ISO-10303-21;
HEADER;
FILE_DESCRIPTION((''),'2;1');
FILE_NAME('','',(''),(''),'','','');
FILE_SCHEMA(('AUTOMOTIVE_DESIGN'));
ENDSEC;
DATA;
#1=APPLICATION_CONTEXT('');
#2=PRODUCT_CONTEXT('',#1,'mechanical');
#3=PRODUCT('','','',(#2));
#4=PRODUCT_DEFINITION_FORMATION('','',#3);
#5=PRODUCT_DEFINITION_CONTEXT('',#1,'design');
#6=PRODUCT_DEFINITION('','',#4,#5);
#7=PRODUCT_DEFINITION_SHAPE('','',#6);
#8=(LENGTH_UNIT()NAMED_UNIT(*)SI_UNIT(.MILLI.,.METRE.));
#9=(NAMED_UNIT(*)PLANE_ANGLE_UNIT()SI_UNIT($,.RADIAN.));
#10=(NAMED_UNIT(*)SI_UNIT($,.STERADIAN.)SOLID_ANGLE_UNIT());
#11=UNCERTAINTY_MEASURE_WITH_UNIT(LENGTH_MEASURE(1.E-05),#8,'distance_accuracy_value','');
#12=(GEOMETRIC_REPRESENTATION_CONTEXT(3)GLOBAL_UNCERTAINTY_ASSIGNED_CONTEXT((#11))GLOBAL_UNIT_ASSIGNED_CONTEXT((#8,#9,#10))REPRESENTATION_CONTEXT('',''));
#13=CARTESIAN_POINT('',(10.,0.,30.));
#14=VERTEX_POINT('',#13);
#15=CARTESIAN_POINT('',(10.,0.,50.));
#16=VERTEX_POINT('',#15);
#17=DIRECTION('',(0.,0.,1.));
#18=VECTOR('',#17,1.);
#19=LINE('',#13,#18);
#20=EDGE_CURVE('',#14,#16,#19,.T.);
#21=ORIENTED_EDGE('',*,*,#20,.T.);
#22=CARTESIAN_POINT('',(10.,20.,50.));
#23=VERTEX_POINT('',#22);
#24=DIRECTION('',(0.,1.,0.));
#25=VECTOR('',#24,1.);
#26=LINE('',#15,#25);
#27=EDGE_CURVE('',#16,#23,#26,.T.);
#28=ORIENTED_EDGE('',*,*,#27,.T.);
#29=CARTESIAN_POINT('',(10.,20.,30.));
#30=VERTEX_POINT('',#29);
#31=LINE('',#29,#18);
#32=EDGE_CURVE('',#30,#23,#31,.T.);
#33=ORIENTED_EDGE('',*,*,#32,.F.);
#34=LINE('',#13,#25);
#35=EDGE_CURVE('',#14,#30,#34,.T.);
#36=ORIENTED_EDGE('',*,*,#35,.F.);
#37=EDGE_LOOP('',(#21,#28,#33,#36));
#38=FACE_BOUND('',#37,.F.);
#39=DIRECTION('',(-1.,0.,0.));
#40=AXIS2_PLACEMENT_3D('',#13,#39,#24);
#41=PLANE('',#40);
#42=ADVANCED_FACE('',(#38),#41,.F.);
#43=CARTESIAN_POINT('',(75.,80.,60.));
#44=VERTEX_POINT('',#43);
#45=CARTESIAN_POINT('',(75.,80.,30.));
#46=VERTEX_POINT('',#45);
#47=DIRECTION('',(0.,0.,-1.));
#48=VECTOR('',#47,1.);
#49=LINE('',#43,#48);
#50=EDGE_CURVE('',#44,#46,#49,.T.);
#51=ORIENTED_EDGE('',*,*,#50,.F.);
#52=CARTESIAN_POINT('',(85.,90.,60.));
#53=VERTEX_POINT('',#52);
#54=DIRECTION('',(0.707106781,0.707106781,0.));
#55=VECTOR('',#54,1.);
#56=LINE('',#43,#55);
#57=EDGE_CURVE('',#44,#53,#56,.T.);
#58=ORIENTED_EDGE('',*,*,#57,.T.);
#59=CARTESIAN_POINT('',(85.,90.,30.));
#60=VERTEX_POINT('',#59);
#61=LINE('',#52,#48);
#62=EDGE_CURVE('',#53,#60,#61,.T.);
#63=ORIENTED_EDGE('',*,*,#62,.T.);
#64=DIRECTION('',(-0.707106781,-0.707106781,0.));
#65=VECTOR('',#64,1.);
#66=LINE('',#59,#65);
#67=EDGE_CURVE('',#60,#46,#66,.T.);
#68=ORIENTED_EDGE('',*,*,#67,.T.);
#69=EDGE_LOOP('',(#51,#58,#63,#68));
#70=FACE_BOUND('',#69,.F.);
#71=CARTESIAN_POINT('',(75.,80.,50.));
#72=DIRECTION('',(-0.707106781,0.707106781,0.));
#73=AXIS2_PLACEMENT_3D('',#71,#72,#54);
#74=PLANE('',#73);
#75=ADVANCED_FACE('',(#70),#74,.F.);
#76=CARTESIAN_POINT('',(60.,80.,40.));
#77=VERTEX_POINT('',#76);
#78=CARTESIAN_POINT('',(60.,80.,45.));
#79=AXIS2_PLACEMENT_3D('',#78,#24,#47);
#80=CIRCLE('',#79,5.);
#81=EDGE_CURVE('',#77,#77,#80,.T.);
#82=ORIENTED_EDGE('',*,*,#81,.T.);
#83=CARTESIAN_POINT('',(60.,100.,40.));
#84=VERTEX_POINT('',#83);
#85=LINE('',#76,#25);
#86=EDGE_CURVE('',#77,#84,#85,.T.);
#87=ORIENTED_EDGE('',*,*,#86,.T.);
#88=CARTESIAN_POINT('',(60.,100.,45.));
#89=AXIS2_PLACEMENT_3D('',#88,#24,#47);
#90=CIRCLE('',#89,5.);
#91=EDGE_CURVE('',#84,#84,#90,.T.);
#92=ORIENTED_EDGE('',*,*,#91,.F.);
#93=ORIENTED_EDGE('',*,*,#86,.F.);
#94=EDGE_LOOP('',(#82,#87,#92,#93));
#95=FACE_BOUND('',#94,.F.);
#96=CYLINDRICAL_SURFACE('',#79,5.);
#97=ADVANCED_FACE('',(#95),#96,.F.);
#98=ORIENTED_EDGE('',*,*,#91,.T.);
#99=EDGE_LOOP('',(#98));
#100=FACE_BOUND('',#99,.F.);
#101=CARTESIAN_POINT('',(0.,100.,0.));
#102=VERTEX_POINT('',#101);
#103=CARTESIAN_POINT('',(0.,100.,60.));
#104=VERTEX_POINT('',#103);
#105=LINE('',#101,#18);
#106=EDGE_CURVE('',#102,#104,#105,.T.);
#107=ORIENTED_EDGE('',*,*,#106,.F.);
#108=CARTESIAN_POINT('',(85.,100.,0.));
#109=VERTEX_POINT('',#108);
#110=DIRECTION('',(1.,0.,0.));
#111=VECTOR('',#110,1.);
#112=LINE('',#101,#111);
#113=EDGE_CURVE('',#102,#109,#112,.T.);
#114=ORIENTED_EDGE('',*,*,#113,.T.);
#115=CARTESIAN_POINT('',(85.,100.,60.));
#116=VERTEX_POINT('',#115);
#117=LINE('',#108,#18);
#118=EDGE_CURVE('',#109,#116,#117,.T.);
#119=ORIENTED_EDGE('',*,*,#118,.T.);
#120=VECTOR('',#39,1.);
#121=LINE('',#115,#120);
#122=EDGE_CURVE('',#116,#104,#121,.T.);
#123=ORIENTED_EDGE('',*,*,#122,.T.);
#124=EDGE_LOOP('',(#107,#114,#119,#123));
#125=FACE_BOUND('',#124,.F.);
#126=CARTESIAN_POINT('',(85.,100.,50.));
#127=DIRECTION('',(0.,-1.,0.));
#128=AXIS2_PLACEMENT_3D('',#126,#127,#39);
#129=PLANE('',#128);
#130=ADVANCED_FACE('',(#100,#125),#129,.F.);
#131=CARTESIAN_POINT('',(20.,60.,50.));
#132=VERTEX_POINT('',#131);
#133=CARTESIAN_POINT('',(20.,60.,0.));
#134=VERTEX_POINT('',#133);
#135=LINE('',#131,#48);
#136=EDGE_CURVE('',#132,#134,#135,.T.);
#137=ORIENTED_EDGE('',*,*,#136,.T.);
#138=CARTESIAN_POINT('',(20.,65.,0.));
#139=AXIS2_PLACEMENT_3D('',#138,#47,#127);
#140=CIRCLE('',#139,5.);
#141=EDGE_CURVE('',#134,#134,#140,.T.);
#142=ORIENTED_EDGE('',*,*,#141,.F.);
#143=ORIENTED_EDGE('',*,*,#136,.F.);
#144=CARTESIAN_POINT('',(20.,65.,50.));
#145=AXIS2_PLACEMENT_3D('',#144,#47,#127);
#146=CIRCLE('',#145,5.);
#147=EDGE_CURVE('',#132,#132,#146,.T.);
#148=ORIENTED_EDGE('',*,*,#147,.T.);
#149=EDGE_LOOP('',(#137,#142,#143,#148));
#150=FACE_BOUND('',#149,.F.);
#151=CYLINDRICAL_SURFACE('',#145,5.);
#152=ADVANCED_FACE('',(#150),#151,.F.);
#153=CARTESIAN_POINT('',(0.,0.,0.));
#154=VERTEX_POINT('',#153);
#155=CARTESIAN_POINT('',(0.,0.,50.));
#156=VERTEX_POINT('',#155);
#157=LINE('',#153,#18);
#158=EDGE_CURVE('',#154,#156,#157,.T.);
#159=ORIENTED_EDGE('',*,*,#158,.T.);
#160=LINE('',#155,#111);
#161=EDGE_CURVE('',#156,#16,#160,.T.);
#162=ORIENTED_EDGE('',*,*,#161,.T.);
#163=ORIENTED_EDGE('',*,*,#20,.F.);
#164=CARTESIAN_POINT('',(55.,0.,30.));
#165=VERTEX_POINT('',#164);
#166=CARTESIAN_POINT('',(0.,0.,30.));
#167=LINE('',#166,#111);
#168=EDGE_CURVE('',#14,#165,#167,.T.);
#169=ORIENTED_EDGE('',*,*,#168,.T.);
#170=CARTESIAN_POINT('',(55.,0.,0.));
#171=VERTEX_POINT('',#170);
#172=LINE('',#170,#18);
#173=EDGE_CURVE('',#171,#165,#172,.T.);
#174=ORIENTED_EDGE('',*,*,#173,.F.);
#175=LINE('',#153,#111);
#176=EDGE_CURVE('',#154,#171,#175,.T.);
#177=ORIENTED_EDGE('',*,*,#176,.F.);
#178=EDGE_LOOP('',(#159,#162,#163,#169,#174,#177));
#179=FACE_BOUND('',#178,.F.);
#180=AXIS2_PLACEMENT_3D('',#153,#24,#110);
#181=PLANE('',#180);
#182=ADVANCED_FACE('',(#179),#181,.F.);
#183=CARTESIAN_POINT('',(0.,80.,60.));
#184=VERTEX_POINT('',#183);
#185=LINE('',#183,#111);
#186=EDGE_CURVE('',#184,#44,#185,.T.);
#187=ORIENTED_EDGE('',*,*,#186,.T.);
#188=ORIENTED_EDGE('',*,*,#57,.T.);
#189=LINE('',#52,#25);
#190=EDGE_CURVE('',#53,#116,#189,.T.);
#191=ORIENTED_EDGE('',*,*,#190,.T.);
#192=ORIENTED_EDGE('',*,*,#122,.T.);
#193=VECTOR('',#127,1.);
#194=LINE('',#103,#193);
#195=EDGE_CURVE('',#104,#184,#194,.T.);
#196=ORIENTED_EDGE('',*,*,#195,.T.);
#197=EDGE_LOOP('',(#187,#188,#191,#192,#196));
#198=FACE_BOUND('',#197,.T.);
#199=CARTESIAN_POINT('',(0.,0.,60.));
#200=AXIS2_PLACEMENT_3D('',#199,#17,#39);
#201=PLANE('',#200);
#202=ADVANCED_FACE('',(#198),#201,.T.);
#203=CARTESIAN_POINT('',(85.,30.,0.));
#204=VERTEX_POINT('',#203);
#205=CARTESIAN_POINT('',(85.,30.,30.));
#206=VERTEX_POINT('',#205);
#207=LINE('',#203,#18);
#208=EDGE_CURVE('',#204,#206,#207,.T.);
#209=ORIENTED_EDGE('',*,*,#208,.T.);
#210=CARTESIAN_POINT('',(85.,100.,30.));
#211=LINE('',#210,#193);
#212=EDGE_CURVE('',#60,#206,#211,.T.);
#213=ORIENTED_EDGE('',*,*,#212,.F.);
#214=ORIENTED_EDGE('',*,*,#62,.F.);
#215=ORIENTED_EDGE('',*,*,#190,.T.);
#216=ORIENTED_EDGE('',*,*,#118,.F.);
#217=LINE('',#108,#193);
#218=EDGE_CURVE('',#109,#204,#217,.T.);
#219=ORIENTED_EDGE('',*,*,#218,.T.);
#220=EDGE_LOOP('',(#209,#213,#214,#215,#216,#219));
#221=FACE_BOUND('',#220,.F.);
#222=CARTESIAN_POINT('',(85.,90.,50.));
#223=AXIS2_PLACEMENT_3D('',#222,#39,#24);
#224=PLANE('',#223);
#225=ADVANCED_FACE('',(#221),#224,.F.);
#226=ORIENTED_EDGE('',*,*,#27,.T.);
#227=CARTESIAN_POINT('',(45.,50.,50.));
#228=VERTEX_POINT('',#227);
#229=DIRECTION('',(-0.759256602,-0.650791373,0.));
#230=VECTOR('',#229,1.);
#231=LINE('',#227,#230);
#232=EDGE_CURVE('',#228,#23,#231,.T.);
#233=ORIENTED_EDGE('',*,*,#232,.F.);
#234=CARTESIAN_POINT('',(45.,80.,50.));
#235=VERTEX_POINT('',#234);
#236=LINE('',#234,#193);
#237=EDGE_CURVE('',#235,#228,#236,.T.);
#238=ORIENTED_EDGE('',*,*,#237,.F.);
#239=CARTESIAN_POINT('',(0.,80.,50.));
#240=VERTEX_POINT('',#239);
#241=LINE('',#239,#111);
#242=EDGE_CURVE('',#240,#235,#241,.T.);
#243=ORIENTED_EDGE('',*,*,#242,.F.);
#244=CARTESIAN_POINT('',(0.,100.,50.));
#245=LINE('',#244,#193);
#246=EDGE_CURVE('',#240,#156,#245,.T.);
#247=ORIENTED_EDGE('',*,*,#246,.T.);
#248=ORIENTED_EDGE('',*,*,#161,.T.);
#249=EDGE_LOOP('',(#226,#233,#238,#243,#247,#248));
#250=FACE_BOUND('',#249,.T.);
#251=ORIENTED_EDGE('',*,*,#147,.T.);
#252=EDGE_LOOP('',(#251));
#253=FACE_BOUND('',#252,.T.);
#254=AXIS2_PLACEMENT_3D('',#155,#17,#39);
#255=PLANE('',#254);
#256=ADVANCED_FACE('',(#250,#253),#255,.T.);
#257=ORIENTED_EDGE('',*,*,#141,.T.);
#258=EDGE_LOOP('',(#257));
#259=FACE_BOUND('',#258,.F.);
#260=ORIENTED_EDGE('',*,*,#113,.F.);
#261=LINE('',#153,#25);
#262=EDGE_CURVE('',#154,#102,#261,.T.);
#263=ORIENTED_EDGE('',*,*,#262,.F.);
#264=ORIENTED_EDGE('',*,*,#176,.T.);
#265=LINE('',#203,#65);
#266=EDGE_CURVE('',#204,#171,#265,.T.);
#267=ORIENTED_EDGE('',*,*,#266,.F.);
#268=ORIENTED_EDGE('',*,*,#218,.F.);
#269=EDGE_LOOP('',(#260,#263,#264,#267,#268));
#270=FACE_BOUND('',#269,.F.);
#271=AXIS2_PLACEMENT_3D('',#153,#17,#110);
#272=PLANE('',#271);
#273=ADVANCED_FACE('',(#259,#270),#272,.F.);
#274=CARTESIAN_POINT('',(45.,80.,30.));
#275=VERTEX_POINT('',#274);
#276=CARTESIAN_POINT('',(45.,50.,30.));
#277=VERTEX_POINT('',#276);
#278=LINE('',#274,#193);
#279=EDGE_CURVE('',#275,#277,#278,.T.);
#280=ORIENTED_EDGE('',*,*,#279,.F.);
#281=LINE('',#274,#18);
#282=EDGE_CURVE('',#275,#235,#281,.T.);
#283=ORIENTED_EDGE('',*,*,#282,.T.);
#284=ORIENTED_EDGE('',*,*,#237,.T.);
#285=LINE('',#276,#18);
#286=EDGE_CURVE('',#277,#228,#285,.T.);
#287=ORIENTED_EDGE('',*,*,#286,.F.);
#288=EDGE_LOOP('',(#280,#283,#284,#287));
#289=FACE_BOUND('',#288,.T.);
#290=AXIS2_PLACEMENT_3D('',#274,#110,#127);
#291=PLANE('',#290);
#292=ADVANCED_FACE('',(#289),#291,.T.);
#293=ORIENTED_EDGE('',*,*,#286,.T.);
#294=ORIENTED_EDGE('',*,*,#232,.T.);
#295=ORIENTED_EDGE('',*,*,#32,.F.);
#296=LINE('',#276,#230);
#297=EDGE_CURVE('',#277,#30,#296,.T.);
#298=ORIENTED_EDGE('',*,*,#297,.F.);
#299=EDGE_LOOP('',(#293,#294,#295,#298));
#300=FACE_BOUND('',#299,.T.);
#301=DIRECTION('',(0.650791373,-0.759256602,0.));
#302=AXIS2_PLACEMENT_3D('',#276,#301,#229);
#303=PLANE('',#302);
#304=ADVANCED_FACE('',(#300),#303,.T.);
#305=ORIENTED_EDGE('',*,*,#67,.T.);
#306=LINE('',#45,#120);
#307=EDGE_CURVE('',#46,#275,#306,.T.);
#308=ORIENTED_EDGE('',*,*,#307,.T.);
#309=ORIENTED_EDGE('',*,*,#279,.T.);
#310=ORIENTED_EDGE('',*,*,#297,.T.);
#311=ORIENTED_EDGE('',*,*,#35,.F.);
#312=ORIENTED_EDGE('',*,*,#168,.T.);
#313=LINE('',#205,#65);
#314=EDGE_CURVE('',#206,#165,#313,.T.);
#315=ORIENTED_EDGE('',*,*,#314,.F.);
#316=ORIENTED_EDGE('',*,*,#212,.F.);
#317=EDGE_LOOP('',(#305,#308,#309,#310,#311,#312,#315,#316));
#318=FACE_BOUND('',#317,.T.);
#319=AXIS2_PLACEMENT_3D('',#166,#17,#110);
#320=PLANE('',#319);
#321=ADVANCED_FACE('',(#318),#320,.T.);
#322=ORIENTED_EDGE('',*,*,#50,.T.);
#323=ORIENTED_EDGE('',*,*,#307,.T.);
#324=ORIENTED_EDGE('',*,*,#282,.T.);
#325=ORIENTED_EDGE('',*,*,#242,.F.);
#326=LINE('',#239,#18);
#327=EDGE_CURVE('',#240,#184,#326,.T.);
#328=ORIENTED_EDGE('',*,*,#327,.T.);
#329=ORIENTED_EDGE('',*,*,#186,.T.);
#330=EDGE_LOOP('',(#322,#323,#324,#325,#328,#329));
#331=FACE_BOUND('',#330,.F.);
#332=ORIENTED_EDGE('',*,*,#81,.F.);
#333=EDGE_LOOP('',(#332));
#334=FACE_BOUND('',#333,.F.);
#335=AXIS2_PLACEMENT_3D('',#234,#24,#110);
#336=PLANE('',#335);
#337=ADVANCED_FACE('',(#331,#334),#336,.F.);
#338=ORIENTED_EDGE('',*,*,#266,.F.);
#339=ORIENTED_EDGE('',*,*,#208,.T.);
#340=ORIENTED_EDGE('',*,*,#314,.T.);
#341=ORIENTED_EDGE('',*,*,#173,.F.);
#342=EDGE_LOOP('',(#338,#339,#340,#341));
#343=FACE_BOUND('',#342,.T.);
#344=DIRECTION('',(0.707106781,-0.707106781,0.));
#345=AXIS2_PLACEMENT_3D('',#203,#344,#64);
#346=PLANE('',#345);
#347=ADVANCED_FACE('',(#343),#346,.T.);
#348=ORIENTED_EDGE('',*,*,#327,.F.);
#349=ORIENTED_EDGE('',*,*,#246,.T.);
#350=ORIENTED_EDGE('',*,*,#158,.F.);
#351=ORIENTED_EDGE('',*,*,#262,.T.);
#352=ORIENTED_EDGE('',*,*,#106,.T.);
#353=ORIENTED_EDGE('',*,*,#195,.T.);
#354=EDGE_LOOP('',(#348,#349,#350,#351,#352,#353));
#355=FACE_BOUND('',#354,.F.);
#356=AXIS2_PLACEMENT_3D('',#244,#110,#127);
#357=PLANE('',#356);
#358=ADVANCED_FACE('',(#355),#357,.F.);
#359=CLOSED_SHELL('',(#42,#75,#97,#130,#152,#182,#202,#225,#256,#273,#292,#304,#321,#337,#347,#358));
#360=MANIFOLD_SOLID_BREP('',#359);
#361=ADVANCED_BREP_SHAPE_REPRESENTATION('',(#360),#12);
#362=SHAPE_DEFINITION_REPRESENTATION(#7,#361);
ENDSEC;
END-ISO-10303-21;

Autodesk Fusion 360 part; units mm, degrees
sketch "Sketch1" plane through (0, 0, 0) normal (0, 0, 1) x (1, 0, 0)
  line L0 (0, 0) -> (55, 0)
  line L1 (0, 0) -> (0, 100)
  line L2 (0, 100) -> (85, 100)
  line L3 (85, 100) -> (85, 30)
  line L4 (85, 30) -> (55, 0)
  dimension "d1" = 55
  dimension "d2" = 100
  dimension "d3" = 85
  dimension "d4" = 70
extrude "Extrude1" add sketch "Sketch1" along normal blind 30
sketch "Sketch2" plane through (0, 0, 30) normal (0, 0, 1) x (-1, 0, 0)
  line L0 (0, 0) -> (-55, 0)
  line L1 (-55, 0) -> (-85, -30)
  line L2 (-85, -30) -> (-85, -100)
  line L3 (-85, -100) -> (0, -100)
  line L4 (0, -100) -> (0, 0)
  line L5 (0, 0) -> (-10, 0)
  line L6 (-10, 0) -> (-10, -20)
  line L7 (0, 0) -> (0, -100)
  line L8 (-85, -100) -> (-85, -90)
  line L9 (-85, -90) -> (-75, -80)
  line L10 (-75, -80) -> (-45, -80)
  line L11 (-45, -80) -> (-45, -50)
  line L12 (-45, -50) -> (-10, -20)
  dimension "d7" = 10
  dimension "d8" = 20
  dimension "d12" = 30
  dimension "d13" = 30
extrude "Extrude2" add sketch "Sketch2" along normal blind 20 contours L0 L2 L3 L4 L5 L6 L7 L8 L9 L10 L11 L12
sketch "Sketch3" plane through (0, 0, 50) normal (0, 0, 1) x (-1, 0, 0)
  line L0 (-85, -100) -> (0, -100)
  line L1 (0, -100) -> (0, 0)
  line L2 (0, 0) -> (-10, 0)
  line L3 (-10, 0) -> (-10, -20)
  line L4 (-10, -20) -> (-45, -50)
  line L5 (-45, -50) -> (-45, -80)
  line L6 (-45, -80) -> (-75, -80)
  line L7 (-75, -80) -> (-85, -90)
  line L8 (-85, -90) -> (-85, -100)
  line L9 (0, -100) -> (0, -80)
  line L10 (0, -80) -> (-75, -80)
  line L11 (-75, -80) -> (-85, -90)
  line L12 (-85, -90) -> (-85, -100)
  line L13 (-85, -100) -> (0, -100)
  dimension "d16" = 20
extrude "Extrude3" add sketch "Sketch3" along normal blind 10 contours L0 L1 L6 L7 L8 L9 L10 L11 L12 L13
sketch "Sketch4" plane through (0, 0, 50) normal (0, 0, 1) x (-1, 0, 0)
  line L0 (-45, -80) -> (0, -80)
  line L1 (0, -80) -> (0, 0)
  line L2 (0, 0) -> (-10, 0)
  line L3 (-10, 0) -> (-10, -20)
  line L4 (-10, -20) -> (-45, -50)
  line L5 (-45, -50) -> (-45, -80)
  line L6 (0, -80) -> (0, -65)
  line L7 (0, -65) -> (-20, -65)
  dimension "d20" = 20
hole "Hole1" at (20, 65, 50) direction (0, 0, -1) diameter 10 depth 50 tip angle 118
sketch "Sketch5" plane through (0, 80, 0) normal (0, -1, 0) x (1, 0, 0)
  line L0 (45, 30) -> (75, 30)
  line L1 (75, 30) -> (75, 60)
  line L2 (75, 60) -> (0, 60)
  line L3 (0, 60) -> (0, 50)
  line L4 (0, 50) -> (45, 50)
  line L5 (45, 50) -> (45, 30)
  line L6 (45, 50) -> (60, 50)
  line L7 (60, 50) -> (60, 45)
  dimension "d24" = 15
  dimension "d25" = 5
hole "Hole2" at (60, 80, 45) direction (0, 1, 0) diameter 10 depth 20 tip angle 118
